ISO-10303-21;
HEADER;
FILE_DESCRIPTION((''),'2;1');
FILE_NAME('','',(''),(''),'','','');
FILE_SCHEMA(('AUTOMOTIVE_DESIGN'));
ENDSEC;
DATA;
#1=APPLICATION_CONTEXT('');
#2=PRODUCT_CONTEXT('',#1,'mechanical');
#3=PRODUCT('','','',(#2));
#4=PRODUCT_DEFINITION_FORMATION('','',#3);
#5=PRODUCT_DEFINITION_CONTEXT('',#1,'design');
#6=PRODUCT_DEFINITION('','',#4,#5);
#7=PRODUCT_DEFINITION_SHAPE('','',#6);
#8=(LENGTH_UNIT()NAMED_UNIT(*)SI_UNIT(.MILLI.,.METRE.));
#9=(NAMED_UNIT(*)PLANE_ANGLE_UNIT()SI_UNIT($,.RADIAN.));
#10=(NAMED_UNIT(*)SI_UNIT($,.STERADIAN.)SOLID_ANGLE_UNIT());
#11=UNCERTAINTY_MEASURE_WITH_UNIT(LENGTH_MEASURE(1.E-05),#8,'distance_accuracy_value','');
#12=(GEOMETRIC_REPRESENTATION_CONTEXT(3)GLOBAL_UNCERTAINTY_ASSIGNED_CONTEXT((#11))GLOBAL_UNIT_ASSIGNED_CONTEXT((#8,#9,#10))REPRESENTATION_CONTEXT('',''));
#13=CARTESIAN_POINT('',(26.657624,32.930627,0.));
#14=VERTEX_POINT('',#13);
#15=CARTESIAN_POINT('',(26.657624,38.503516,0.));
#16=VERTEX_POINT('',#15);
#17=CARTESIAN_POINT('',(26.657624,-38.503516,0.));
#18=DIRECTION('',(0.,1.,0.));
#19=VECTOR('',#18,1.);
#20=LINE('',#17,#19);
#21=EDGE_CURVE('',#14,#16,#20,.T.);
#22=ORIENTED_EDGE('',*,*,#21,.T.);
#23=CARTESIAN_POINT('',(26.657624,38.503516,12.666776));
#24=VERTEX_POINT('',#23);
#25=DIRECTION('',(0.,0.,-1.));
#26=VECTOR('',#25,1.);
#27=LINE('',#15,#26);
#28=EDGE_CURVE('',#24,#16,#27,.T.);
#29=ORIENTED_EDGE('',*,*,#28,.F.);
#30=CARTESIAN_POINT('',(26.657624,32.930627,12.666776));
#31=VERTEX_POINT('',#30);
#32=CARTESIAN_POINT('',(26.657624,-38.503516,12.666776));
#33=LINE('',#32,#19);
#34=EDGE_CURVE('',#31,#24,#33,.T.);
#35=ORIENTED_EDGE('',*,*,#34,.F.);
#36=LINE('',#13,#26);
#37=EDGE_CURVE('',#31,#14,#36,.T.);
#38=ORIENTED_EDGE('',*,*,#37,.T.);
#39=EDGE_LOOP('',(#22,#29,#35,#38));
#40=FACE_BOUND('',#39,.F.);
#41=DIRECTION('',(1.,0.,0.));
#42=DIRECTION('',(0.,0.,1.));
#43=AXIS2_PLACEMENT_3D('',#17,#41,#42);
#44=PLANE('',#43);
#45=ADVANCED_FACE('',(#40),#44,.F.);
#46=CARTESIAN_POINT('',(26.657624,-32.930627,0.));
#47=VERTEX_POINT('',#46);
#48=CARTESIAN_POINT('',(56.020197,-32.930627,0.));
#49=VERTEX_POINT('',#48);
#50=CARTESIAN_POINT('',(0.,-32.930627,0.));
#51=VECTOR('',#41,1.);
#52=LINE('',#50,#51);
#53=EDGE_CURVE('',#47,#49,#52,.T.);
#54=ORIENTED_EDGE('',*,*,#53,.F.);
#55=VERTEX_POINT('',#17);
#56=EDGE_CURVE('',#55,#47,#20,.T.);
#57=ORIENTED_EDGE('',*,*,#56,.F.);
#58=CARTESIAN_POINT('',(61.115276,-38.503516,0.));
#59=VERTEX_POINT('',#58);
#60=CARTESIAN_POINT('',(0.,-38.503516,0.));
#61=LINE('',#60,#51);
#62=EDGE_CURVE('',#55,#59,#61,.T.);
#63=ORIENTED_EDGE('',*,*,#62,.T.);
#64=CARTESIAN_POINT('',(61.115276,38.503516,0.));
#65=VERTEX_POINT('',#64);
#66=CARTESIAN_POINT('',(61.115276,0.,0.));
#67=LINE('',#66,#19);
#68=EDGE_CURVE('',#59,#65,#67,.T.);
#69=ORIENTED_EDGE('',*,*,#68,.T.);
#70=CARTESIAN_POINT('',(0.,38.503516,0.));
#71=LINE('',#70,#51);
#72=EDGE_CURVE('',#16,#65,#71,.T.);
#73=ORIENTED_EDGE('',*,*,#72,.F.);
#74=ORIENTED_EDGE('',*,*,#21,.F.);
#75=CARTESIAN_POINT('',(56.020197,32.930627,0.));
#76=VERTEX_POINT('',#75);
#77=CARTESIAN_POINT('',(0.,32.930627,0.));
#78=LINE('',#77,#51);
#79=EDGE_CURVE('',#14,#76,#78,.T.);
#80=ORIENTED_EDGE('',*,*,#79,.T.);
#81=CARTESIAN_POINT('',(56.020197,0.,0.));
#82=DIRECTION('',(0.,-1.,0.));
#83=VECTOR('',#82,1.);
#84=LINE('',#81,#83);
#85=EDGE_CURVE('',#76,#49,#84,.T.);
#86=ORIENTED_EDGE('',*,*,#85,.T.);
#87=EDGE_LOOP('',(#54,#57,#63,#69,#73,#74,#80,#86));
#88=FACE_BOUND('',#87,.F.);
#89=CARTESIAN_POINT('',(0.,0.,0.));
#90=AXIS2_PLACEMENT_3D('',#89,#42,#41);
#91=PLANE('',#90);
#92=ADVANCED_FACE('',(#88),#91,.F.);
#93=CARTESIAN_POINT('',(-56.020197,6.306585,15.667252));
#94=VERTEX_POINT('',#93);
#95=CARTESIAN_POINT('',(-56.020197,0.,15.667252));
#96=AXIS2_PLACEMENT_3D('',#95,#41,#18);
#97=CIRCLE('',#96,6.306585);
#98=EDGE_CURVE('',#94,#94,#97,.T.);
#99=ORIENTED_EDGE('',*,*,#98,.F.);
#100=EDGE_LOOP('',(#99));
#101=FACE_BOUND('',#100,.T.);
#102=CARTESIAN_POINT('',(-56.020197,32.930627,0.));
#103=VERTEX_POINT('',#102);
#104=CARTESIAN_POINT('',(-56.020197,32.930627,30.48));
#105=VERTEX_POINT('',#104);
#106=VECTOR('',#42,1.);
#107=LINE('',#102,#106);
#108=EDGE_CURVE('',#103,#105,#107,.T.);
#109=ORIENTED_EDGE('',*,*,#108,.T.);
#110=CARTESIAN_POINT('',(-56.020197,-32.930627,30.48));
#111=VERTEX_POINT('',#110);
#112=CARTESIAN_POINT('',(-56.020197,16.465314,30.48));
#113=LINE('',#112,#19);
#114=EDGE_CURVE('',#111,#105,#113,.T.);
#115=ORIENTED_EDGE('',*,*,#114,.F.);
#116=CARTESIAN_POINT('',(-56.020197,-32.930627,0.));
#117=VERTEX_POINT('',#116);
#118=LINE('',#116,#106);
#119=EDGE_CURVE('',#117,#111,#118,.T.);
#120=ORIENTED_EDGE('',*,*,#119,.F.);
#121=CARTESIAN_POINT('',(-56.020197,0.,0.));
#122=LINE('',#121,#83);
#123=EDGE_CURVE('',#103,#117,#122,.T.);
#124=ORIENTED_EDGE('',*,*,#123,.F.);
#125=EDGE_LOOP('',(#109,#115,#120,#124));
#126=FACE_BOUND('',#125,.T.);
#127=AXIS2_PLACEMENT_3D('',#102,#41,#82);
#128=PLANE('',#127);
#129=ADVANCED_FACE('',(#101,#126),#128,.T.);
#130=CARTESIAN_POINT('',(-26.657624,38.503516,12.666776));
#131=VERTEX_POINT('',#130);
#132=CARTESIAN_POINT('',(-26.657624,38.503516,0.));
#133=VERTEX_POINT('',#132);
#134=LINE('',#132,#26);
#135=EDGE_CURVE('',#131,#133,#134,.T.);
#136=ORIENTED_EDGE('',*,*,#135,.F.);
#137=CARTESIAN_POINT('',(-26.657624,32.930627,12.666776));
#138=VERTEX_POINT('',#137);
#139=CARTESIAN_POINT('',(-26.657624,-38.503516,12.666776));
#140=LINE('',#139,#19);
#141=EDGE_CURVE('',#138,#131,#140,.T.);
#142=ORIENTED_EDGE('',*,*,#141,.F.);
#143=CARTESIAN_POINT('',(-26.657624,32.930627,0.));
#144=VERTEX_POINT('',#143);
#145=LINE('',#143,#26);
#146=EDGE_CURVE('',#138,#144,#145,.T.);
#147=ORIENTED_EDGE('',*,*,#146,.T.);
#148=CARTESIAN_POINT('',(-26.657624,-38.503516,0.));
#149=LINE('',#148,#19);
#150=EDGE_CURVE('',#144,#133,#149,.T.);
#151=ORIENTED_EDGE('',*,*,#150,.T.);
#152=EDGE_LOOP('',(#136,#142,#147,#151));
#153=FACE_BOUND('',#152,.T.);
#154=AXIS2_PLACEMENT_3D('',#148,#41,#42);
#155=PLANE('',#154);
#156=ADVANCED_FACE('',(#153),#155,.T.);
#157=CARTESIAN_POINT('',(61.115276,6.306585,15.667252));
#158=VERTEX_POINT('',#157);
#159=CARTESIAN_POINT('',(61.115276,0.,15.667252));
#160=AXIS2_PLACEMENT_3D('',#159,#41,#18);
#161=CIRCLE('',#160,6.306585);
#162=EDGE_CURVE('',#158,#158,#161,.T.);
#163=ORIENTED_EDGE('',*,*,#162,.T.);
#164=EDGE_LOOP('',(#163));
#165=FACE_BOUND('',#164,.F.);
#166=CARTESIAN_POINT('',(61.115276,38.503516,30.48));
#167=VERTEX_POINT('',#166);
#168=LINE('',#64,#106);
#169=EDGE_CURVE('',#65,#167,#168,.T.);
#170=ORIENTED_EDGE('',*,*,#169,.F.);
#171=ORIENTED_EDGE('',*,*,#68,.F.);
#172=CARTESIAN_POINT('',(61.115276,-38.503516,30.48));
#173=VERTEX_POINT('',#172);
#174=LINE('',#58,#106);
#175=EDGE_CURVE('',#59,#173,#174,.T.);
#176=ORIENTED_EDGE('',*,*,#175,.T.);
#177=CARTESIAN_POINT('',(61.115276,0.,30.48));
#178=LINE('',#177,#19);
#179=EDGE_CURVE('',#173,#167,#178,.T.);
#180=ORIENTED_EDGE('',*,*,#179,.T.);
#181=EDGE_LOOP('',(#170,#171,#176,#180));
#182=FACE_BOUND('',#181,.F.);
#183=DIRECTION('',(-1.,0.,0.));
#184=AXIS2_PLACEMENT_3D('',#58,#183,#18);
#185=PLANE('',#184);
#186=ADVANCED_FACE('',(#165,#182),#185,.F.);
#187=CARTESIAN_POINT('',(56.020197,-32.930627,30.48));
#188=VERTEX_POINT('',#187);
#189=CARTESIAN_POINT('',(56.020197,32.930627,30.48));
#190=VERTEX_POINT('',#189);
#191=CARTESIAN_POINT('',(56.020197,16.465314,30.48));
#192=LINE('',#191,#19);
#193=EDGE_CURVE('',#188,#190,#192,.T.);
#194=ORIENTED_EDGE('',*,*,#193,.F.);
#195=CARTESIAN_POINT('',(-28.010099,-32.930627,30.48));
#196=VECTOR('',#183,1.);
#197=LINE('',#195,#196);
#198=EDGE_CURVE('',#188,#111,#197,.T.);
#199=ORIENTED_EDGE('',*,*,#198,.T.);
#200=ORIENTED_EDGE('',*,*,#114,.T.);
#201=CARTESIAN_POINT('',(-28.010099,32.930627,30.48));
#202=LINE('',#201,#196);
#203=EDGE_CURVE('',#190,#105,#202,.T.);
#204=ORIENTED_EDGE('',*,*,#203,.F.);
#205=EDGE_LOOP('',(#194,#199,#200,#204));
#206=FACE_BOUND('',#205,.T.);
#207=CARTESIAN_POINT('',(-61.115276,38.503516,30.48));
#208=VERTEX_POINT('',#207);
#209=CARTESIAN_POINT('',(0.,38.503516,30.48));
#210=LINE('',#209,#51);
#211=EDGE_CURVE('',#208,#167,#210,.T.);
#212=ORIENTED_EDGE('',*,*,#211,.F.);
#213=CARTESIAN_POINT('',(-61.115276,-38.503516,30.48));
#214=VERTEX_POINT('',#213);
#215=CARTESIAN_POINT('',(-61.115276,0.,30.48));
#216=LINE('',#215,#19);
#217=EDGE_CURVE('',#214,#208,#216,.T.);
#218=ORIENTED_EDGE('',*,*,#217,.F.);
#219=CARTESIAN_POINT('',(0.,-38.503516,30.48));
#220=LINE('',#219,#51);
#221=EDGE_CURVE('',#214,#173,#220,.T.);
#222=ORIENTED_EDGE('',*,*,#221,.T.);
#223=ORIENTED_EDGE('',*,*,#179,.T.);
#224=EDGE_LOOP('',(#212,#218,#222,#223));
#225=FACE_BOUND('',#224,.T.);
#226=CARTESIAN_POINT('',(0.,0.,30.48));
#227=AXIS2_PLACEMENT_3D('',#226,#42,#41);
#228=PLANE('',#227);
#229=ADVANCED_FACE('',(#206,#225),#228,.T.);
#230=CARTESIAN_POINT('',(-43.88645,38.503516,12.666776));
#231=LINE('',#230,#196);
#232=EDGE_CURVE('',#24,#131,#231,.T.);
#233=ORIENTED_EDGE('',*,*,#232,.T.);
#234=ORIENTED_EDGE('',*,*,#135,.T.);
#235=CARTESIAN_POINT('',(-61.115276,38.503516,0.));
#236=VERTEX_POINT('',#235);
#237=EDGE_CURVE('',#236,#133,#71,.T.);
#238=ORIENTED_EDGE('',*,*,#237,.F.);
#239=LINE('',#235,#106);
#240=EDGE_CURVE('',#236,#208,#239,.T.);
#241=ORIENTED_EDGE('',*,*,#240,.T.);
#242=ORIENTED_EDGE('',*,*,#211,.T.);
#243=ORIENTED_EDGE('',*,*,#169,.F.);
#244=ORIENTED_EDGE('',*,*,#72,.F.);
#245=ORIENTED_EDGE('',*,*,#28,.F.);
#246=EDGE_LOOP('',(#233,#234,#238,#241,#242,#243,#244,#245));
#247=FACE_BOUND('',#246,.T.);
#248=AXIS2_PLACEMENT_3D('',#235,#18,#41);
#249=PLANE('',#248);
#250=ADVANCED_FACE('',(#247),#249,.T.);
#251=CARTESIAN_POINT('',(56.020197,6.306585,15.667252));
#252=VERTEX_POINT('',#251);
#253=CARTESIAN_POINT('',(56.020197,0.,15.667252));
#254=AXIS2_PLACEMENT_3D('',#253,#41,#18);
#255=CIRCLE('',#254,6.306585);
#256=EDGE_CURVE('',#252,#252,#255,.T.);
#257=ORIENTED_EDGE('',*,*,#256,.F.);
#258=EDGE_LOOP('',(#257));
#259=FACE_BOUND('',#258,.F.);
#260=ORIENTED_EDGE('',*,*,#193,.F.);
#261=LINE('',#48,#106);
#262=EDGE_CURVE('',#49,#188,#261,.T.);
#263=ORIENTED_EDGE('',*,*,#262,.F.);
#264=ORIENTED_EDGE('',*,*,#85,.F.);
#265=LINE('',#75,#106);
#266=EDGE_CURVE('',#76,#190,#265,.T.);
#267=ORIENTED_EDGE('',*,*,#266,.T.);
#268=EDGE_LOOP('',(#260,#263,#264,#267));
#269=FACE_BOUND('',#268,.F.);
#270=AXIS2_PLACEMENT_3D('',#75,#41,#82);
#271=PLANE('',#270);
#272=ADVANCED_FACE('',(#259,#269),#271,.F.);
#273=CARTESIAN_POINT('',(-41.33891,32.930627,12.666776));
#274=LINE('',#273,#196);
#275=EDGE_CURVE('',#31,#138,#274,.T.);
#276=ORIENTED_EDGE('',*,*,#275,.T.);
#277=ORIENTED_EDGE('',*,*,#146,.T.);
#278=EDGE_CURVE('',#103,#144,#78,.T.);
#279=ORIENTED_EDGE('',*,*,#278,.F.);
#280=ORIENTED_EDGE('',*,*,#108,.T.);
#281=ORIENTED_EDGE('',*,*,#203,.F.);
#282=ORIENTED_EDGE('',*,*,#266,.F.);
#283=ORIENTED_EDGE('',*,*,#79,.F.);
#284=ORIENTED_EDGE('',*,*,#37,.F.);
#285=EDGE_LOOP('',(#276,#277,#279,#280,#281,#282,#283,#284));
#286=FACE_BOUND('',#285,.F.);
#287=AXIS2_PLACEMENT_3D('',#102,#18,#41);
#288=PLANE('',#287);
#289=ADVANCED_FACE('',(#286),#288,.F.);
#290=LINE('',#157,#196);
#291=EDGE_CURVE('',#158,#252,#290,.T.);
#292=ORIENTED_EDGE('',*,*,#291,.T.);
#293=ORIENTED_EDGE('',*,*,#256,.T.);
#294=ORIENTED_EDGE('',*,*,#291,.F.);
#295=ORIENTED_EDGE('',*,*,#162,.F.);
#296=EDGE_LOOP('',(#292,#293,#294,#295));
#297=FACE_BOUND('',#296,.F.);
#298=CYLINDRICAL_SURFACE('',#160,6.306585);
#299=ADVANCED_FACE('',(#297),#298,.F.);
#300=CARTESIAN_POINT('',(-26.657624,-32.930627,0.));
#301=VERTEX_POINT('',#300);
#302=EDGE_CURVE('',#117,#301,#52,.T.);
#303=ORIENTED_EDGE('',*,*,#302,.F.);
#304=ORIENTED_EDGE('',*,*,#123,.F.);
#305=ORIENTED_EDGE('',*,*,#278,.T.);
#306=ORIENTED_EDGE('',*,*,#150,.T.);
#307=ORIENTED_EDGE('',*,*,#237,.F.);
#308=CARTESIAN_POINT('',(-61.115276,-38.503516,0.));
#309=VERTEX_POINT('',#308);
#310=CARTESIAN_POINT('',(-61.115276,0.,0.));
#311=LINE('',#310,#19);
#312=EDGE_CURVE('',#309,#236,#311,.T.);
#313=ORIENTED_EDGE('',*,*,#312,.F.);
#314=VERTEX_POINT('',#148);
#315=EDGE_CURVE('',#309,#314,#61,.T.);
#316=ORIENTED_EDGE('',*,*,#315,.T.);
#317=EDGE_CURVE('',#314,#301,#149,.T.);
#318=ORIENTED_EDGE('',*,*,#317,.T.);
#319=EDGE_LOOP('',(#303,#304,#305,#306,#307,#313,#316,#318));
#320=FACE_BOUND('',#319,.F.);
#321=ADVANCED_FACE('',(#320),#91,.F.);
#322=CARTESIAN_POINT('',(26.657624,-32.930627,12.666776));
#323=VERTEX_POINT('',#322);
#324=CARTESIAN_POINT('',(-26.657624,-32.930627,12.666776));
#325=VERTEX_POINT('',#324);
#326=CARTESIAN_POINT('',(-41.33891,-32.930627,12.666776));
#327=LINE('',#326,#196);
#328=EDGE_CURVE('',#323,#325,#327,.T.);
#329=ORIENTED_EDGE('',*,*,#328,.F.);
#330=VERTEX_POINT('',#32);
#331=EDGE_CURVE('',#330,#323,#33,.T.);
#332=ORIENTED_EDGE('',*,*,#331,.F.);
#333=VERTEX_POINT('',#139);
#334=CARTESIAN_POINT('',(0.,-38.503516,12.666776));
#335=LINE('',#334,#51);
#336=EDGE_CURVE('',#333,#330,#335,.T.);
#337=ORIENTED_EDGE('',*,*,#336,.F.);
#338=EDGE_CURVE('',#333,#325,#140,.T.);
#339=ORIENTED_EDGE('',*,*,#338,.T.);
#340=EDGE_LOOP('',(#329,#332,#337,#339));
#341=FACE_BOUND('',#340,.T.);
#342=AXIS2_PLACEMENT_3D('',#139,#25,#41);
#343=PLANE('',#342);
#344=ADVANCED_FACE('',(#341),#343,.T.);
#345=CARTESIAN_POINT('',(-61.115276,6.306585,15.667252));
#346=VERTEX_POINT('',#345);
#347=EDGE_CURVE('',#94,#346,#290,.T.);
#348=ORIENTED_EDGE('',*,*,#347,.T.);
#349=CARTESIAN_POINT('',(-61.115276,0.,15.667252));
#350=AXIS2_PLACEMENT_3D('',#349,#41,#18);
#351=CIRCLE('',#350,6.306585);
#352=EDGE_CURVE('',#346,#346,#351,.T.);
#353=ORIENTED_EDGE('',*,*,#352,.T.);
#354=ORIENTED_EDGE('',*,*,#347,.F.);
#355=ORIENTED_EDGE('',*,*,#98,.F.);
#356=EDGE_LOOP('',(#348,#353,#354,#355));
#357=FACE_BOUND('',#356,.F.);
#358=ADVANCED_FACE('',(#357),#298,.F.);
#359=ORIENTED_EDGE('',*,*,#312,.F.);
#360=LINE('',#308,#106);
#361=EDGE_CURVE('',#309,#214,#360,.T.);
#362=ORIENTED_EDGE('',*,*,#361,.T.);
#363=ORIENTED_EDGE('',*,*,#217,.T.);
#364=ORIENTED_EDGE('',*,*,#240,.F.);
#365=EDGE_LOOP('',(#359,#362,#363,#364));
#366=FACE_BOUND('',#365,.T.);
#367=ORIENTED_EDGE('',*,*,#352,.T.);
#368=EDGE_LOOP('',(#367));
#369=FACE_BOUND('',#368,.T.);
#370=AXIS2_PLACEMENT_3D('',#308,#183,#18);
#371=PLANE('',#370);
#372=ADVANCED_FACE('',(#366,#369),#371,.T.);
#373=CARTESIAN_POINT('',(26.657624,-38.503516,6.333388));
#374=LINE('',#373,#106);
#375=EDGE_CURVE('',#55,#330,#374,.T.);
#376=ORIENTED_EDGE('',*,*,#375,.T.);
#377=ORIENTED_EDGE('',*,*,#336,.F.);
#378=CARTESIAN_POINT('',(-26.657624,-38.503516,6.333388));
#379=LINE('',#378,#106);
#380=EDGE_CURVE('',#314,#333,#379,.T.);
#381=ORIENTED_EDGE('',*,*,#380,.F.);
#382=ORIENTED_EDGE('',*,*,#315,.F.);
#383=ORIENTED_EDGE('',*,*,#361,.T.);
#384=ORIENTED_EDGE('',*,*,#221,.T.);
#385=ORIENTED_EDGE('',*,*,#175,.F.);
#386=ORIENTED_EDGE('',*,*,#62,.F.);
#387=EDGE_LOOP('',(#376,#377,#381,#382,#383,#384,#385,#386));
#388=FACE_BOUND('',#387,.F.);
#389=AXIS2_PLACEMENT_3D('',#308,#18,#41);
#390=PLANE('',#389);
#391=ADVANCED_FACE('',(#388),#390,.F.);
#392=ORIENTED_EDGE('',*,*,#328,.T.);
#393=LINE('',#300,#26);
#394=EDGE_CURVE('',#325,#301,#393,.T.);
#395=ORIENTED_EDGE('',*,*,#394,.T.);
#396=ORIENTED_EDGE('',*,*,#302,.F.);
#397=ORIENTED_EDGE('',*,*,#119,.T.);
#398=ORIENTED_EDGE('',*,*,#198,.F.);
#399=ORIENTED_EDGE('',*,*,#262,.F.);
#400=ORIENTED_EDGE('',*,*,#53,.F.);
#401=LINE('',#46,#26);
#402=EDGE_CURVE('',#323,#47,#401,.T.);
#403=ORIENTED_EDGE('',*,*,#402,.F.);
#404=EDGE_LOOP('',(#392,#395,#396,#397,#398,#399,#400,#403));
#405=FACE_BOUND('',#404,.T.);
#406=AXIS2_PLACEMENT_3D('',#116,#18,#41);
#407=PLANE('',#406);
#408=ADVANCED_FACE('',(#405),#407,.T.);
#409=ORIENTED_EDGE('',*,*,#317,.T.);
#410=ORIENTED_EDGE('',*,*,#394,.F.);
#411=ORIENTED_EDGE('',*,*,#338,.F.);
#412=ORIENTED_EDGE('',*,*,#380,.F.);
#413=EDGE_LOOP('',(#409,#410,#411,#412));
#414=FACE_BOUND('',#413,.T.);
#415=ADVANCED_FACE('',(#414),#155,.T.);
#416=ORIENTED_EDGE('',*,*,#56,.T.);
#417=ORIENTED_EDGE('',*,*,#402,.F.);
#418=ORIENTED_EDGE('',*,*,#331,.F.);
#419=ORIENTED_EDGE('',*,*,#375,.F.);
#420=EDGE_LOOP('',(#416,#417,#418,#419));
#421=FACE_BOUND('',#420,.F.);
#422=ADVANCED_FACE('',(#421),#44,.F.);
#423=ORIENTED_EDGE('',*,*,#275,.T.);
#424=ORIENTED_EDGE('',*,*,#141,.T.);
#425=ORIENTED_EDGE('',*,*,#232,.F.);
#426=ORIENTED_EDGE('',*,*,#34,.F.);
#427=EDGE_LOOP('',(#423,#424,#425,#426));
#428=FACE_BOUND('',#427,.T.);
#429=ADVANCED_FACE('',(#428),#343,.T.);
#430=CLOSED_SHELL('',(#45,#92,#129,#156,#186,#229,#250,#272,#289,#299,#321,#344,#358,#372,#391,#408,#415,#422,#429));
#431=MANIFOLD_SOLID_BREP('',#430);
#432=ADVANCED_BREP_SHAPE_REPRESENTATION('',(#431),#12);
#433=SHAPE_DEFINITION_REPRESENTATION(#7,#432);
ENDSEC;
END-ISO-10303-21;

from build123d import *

# Parameters (mm, degrees)
F0_W     = 122.230552
F0_H     = 77.007032
F1_DEPTH = 30.48
F2_W     = 112.040394
F2_H     = 65.861254
F3_DEPTH = 120.65
F4_R     = 6.306585
F5_DEPTH = 227.33
F6_W     = 53.315248
F6_H     = 12.666776
F7_DEPTH = 179.578


with BuildPart() as f1:
    # F0 (on Top) → F1 (new body)
    with BuildSketch(Plane.XY):
        Rectangle(F0_W, F0_H)
    extrude(amount=F1_DEPTH)

    # F2 (on face) → F3 (cut)
    with BuildSketch(Plane(origin=(0, 0, 0), x_dir=(1, 0, 0), z_dir=(0, 0, -1))):
        Rectangle(F2_W, F2_H)
    extrude(amount=-F3_DEPTH, mode=Mode.SUBTRACT)

    # F4 (on face) → F5 (cut)
    with BuildSketch(Plane.YZ.offset(61.115276)):
        with Locations((0, 15.667252)):
            Circle(F4_R)
    extrude(amount=-F5_DEPTH, mode=Mode.SUBTRACT)

    # F6 (on face) → F7 (cut)
    with BuildSketch(Plane.XZ.offset(38.503516)):
        with Locations((0, 6.333388)):
            Rectangle(F6_W, F6_H)
    extrude(amount=-F7_DEPTH, mode=Mode.SUBTRACT)


solid = f1.part
